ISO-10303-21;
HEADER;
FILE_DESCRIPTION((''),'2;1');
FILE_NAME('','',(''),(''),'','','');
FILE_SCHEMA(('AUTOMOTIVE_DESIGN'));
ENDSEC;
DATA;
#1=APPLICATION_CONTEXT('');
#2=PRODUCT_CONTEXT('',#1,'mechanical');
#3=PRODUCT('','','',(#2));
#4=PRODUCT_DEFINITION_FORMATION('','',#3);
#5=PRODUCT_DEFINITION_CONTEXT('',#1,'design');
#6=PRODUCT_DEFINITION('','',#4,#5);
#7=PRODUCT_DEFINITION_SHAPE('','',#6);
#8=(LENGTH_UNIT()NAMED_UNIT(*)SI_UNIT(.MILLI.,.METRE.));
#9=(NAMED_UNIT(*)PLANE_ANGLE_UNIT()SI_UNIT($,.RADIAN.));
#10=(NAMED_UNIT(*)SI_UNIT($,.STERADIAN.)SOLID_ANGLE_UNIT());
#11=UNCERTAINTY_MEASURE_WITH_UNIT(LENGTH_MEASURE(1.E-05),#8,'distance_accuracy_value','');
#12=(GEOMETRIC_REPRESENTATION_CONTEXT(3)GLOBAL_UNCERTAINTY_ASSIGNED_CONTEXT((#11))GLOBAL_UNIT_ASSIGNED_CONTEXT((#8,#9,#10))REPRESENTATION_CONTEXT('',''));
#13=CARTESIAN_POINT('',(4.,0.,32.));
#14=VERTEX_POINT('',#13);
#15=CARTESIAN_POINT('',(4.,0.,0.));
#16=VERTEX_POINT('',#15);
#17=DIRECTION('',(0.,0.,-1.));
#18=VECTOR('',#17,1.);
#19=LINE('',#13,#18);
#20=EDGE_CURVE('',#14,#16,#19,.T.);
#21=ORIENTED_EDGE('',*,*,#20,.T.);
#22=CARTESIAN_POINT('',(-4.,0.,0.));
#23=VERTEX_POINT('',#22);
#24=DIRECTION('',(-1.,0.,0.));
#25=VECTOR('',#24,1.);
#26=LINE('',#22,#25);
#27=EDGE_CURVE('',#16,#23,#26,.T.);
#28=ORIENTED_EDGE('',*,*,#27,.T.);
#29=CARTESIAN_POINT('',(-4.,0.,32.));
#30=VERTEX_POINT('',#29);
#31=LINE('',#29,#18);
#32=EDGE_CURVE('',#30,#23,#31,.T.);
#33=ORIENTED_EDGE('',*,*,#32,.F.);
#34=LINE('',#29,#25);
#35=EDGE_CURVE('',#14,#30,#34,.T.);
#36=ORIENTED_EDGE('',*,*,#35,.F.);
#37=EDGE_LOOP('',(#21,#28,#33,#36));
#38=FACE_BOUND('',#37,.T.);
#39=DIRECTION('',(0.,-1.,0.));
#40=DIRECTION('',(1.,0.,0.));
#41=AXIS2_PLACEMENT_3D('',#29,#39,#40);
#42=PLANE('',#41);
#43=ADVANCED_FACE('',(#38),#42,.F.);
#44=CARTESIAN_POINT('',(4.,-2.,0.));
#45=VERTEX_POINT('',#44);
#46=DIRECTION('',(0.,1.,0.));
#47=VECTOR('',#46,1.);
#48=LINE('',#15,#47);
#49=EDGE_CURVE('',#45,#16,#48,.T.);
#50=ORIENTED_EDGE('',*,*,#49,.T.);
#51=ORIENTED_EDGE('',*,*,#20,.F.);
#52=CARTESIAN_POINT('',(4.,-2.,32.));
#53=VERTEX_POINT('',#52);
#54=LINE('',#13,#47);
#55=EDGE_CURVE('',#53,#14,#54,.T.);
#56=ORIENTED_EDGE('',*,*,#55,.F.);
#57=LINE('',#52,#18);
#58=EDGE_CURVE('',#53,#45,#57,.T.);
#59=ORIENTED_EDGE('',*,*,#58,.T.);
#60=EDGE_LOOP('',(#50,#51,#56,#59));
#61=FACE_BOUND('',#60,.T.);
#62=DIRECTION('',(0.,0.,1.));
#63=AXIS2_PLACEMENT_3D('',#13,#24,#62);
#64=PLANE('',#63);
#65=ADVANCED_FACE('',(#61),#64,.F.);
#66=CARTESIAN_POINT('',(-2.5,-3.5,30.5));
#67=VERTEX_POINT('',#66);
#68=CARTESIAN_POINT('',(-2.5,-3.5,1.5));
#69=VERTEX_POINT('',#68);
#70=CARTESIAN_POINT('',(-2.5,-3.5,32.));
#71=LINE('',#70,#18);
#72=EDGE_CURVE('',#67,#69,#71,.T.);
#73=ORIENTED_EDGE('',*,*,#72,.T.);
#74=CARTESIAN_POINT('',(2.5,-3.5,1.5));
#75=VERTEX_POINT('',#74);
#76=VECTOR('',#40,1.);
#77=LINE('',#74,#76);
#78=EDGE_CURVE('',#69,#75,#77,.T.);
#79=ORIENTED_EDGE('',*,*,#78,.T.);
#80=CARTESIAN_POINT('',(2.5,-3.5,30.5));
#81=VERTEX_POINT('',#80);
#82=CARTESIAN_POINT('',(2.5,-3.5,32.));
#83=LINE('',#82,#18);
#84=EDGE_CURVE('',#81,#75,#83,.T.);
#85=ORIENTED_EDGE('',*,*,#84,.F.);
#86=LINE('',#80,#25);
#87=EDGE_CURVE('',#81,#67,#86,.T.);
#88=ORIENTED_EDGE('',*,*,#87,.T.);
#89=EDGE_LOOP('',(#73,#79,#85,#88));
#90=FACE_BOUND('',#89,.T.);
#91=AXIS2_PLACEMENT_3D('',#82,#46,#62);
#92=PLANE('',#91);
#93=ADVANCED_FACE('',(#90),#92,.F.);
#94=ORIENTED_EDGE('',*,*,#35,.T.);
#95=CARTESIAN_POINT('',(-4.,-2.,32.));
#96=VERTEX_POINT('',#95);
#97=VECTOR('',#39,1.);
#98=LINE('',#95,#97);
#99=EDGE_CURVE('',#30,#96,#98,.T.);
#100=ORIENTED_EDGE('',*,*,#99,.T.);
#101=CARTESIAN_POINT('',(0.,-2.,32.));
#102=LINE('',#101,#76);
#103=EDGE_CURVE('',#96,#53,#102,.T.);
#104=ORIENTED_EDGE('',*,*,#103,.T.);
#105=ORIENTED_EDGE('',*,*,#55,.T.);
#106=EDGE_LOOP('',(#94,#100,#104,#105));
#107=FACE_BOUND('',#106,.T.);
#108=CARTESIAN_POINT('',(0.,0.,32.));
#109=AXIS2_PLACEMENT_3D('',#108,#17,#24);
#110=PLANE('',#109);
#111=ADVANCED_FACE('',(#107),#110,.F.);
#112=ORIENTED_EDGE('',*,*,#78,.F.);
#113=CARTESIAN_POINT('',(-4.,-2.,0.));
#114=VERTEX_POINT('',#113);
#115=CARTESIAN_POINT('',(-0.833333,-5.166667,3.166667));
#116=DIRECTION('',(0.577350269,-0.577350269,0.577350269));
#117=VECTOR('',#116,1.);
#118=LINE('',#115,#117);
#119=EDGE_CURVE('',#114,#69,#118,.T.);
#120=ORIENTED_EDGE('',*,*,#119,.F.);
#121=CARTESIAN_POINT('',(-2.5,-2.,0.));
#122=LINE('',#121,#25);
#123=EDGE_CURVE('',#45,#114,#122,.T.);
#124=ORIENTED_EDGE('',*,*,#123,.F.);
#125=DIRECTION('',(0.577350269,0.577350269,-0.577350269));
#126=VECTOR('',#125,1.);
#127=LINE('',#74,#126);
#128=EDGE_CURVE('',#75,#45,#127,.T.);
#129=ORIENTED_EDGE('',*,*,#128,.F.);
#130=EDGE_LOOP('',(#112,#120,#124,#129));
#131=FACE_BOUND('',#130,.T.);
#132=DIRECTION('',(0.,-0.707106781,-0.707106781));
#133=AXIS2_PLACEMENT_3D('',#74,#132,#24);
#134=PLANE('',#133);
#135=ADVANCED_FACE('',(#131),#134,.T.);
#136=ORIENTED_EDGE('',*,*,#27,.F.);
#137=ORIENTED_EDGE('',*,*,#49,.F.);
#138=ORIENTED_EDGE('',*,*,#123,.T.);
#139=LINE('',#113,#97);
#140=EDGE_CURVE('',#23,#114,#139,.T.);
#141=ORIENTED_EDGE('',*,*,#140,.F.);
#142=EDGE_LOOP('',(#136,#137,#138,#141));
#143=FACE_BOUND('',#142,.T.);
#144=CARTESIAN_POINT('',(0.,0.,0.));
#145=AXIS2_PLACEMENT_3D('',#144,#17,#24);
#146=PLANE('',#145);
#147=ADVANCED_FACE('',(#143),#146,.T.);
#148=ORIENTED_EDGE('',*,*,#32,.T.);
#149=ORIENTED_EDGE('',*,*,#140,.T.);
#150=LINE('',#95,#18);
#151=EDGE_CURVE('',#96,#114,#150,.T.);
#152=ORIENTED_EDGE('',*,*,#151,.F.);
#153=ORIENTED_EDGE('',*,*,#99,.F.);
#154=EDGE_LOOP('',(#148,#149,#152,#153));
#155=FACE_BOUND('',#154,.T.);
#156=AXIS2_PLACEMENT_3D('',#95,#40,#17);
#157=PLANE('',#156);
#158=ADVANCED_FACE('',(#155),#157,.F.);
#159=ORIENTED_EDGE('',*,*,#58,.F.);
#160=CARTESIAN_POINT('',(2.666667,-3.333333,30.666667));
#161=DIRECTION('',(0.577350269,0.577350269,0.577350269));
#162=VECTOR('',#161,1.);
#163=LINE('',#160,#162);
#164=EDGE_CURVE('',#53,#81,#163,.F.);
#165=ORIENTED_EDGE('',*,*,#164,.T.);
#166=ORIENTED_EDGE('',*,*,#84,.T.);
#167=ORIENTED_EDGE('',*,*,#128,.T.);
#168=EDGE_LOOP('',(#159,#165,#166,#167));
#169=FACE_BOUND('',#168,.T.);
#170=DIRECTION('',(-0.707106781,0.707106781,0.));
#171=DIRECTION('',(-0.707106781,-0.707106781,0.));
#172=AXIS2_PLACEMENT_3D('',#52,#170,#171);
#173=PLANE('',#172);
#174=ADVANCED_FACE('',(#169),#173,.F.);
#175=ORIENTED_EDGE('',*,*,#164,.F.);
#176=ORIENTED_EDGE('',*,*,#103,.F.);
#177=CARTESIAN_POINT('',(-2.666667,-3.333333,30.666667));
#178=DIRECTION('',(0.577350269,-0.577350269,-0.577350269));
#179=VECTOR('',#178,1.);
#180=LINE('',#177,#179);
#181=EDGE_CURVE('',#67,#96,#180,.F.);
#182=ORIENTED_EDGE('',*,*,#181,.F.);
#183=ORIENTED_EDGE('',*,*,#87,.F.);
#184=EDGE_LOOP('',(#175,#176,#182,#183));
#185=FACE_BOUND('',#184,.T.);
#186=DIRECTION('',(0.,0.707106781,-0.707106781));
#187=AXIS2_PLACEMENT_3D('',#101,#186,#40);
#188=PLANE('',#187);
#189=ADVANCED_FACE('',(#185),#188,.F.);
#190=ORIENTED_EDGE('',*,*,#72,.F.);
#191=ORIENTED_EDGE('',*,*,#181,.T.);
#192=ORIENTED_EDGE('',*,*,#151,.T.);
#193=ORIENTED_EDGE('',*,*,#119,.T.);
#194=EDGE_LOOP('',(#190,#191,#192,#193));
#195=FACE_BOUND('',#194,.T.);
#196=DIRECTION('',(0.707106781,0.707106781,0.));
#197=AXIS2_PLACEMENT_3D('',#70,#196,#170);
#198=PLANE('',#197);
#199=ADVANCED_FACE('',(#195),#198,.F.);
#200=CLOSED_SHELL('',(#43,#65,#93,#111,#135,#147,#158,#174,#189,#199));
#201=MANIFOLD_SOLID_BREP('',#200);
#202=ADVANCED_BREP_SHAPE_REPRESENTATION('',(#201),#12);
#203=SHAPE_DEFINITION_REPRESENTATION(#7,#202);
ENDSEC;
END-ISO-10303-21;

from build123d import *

# Parameters (mm, degrees)
BOSS_EXTRU_1_DEPTH = 32
CHANFREIN1_SIZE    = 1.5


with BuildPart() as part:
    # Esquisse1 → Boss.-Extru.1 (new body)
    with BuildSketch(Plane.XY):
        Polygon((-4, 0), (4, 0), (4, -2), (2.5, -3.5), (-2.5, -3.5), (-4, -2), align=None)
    extrude(amount=BOSS_EXTRU_1_DEPTH)

    # Chanfrein1
    chanfrein1_edges = [part.edges().sort_by_distance(p)[0] for p in [
        (0, -3.5, 0),
        (0, -3.5, 32),
    ]]
    chamfer(chanfrein1_edges, length=CHANFREIN1_SIZE)


solid = part.part
